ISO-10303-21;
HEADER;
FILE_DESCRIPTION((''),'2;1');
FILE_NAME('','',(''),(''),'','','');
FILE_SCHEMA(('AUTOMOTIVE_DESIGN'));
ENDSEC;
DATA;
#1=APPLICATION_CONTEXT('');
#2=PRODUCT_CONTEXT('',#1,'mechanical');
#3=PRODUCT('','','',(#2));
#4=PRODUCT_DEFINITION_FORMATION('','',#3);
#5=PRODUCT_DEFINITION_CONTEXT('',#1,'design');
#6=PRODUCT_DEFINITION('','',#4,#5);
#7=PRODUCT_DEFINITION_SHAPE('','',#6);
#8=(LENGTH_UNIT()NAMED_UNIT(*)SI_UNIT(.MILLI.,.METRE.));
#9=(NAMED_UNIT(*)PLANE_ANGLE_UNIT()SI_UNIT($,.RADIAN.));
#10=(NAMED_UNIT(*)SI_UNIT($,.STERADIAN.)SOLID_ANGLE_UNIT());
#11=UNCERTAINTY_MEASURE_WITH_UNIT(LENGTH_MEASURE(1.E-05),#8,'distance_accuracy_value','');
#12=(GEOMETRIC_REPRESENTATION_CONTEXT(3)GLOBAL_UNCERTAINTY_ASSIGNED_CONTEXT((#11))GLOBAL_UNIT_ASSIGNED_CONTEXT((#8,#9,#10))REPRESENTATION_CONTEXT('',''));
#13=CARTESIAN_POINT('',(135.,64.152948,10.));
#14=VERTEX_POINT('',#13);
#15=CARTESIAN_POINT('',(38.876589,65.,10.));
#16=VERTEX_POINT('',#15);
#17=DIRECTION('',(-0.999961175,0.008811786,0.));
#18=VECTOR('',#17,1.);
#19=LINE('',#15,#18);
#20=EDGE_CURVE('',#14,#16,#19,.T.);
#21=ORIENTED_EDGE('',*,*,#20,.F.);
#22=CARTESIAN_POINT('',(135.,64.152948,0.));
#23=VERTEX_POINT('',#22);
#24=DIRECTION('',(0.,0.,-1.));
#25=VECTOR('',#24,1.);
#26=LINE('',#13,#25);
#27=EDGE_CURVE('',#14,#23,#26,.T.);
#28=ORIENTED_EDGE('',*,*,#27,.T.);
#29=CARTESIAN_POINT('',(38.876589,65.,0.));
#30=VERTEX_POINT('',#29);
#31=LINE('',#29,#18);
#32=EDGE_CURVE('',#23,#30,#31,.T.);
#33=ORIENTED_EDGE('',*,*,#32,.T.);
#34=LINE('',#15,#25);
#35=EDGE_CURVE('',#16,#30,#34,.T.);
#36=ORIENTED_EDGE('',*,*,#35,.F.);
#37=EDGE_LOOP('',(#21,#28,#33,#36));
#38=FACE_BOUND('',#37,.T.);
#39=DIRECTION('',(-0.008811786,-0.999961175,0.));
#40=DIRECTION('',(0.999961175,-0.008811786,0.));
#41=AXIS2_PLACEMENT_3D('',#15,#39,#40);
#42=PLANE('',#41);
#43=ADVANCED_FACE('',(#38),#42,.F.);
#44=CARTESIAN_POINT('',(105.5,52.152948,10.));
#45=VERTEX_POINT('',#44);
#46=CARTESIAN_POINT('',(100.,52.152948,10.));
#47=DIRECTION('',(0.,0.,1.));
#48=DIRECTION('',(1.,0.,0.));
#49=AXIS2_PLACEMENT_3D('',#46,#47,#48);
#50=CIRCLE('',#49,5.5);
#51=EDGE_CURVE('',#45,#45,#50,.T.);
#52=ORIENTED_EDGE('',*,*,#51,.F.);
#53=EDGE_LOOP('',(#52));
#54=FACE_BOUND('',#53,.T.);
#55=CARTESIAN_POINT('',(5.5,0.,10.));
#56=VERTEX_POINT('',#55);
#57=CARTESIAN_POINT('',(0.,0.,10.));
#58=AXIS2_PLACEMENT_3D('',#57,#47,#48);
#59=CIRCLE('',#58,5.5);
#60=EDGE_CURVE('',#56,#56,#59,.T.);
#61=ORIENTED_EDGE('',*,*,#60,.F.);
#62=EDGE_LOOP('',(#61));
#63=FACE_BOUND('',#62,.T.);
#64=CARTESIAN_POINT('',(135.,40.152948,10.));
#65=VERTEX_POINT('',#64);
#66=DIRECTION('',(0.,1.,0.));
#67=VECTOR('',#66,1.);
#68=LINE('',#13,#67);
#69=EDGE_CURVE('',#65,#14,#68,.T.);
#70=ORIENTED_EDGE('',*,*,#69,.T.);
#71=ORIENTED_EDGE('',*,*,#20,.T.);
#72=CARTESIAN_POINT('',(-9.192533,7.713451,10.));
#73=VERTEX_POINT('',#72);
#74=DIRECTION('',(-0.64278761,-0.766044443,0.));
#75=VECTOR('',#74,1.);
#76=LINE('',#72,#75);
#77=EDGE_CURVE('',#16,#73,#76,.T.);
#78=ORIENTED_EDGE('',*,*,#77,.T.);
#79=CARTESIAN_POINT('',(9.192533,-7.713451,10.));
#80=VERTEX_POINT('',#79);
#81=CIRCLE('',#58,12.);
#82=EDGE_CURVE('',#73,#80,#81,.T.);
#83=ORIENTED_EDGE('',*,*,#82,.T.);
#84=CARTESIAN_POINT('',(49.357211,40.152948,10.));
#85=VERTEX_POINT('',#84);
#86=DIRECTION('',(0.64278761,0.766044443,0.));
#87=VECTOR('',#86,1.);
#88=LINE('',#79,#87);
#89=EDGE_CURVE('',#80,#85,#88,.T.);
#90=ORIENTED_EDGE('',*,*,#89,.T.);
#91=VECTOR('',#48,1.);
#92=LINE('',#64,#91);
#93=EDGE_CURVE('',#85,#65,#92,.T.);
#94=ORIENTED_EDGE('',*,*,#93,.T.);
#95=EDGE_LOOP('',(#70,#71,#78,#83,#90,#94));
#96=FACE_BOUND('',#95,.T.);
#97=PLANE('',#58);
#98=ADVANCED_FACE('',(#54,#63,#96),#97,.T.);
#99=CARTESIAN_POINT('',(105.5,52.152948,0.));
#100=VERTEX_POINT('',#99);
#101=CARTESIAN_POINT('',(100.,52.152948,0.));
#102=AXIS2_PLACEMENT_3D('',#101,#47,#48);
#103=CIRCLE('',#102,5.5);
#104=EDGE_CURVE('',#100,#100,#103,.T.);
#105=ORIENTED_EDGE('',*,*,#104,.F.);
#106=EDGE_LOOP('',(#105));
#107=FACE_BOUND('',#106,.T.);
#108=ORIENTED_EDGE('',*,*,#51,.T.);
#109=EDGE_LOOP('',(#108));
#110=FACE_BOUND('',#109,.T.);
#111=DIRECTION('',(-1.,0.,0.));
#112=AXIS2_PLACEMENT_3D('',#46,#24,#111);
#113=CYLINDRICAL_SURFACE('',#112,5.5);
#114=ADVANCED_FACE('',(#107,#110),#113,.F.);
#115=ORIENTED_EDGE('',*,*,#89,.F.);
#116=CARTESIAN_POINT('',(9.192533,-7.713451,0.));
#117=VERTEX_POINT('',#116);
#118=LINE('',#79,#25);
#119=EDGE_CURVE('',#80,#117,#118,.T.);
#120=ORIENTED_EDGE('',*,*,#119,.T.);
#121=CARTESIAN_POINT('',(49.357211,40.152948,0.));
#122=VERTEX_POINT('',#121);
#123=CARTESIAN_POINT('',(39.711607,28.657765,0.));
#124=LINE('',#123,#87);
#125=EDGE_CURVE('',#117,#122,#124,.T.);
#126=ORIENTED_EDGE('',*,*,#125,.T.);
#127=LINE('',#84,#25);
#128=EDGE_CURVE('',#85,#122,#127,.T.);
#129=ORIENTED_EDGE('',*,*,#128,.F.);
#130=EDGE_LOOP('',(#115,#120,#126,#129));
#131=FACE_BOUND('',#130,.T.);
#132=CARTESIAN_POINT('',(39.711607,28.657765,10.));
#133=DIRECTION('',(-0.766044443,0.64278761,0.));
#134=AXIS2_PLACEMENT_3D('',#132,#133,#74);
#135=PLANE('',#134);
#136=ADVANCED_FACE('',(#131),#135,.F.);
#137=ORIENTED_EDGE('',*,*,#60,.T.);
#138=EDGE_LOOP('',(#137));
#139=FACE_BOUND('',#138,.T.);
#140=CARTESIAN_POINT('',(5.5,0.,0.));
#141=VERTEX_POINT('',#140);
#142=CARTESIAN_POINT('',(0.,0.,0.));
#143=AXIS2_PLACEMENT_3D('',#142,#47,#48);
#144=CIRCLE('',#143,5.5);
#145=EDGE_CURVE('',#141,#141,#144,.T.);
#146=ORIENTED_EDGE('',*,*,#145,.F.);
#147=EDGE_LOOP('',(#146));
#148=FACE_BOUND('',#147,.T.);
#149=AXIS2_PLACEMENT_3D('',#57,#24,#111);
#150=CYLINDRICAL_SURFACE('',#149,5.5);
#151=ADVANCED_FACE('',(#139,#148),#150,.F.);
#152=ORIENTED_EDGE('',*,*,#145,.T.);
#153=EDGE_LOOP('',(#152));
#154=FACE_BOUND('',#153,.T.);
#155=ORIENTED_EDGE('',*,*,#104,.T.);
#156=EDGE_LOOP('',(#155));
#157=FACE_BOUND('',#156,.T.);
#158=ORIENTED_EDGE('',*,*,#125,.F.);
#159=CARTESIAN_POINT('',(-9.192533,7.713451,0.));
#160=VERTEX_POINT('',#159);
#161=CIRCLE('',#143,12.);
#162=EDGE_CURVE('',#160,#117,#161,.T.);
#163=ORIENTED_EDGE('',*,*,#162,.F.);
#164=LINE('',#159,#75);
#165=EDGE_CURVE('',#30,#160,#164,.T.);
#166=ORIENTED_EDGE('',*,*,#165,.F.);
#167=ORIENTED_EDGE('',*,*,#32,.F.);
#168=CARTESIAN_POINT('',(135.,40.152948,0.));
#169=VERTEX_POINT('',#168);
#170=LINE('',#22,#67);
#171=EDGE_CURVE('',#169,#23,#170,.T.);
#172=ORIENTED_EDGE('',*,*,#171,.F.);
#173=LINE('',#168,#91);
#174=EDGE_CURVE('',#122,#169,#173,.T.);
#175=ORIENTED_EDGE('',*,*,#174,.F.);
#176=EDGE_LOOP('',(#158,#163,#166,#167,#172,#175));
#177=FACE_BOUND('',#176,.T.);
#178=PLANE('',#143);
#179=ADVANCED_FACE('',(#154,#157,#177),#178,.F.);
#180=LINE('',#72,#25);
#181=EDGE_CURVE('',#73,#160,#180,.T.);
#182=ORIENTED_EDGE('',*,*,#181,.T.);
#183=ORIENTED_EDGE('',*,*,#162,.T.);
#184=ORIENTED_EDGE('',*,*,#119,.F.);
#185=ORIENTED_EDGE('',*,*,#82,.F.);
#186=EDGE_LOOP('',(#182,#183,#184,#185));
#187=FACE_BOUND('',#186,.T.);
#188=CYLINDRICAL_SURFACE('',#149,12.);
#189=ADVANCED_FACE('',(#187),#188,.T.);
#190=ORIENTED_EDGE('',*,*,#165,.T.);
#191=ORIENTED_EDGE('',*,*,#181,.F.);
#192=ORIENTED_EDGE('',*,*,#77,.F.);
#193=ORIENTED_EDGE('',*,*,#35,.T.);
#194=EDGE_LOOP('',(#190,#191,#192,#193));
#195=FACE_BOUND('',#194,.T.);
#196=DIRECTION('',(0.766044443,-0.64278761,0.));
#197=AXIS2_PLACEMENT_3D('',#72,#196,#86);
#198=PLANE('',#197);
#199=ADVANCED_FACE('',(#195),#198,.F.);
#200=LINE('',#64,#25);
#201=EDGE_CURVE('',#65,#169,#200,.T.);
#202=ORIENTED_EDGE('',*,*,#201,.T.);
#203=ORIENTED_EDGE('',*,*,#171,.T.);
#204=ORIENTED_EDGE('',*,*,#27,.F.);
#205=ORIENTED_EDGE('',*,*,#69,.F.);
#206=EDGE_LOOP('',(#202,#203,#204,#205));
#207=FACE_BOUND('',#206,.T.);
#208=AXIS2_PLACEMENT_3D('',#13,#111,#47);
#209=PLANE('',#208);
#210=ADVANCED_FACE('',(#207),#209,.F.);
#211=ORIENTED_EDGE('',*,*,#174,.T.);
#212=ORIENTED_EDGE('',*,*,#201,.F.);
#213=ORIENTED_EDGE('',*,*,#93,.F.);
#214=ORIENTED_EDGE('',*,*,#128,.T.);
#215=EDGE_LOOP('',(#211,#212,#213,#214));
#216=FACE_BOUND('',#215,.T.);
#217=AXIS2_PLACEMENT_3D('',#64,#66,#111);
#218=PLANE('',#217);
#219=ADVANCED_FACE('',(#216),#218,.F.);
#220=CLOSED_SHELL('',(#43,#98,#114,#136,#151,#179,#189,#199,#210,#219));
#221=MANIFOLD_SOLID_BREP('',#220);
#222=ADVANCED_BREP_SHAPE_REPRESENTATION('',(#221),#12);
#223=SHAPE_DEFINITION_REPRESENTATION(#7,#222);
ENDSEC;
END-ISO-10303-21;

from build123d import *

# Parameters (mm, degrees)
SKETCH1_R           = 5.5
BOSS_EXTRUDE1_DEPTH = 10


with BuildPart() as part:
    # Sketch1 → Boss-Extrude1 (new body)
    with BuildSketch(Plane.XY):
        with BuildLine():
            Line((9.192533317, -7.713451316), (39.711607161, 28.65776458))
            Line((39.711607161, 28.65776458), (49.357211477, 40.152948176))
            Line((49.357211477, 40.152948176), (135, 40.152948176))
            Line((135, 40.152948176), (135, 64.152948176))
            Line((135, 64.152948176), (38.876588555, 65))
            Line((38.876588555, 65), (-9.192533317, 7.713451316))
            ThreePointArc((-9.192533317, 7.713451316), (-7.713451316, -9.192533317), (9.192533317, -7.713451316))
        make_face()
        Circle(SKETCH1_R, mode=Mode.SUBTRACT)
        with Locations((100, 52.152948176)):
            Circle(SKETCH1_R, mode=Mode.SUBTRACT)
    extrude(amount=BOSS_EXTRUDE1_DEPTH)


solid = part.part
